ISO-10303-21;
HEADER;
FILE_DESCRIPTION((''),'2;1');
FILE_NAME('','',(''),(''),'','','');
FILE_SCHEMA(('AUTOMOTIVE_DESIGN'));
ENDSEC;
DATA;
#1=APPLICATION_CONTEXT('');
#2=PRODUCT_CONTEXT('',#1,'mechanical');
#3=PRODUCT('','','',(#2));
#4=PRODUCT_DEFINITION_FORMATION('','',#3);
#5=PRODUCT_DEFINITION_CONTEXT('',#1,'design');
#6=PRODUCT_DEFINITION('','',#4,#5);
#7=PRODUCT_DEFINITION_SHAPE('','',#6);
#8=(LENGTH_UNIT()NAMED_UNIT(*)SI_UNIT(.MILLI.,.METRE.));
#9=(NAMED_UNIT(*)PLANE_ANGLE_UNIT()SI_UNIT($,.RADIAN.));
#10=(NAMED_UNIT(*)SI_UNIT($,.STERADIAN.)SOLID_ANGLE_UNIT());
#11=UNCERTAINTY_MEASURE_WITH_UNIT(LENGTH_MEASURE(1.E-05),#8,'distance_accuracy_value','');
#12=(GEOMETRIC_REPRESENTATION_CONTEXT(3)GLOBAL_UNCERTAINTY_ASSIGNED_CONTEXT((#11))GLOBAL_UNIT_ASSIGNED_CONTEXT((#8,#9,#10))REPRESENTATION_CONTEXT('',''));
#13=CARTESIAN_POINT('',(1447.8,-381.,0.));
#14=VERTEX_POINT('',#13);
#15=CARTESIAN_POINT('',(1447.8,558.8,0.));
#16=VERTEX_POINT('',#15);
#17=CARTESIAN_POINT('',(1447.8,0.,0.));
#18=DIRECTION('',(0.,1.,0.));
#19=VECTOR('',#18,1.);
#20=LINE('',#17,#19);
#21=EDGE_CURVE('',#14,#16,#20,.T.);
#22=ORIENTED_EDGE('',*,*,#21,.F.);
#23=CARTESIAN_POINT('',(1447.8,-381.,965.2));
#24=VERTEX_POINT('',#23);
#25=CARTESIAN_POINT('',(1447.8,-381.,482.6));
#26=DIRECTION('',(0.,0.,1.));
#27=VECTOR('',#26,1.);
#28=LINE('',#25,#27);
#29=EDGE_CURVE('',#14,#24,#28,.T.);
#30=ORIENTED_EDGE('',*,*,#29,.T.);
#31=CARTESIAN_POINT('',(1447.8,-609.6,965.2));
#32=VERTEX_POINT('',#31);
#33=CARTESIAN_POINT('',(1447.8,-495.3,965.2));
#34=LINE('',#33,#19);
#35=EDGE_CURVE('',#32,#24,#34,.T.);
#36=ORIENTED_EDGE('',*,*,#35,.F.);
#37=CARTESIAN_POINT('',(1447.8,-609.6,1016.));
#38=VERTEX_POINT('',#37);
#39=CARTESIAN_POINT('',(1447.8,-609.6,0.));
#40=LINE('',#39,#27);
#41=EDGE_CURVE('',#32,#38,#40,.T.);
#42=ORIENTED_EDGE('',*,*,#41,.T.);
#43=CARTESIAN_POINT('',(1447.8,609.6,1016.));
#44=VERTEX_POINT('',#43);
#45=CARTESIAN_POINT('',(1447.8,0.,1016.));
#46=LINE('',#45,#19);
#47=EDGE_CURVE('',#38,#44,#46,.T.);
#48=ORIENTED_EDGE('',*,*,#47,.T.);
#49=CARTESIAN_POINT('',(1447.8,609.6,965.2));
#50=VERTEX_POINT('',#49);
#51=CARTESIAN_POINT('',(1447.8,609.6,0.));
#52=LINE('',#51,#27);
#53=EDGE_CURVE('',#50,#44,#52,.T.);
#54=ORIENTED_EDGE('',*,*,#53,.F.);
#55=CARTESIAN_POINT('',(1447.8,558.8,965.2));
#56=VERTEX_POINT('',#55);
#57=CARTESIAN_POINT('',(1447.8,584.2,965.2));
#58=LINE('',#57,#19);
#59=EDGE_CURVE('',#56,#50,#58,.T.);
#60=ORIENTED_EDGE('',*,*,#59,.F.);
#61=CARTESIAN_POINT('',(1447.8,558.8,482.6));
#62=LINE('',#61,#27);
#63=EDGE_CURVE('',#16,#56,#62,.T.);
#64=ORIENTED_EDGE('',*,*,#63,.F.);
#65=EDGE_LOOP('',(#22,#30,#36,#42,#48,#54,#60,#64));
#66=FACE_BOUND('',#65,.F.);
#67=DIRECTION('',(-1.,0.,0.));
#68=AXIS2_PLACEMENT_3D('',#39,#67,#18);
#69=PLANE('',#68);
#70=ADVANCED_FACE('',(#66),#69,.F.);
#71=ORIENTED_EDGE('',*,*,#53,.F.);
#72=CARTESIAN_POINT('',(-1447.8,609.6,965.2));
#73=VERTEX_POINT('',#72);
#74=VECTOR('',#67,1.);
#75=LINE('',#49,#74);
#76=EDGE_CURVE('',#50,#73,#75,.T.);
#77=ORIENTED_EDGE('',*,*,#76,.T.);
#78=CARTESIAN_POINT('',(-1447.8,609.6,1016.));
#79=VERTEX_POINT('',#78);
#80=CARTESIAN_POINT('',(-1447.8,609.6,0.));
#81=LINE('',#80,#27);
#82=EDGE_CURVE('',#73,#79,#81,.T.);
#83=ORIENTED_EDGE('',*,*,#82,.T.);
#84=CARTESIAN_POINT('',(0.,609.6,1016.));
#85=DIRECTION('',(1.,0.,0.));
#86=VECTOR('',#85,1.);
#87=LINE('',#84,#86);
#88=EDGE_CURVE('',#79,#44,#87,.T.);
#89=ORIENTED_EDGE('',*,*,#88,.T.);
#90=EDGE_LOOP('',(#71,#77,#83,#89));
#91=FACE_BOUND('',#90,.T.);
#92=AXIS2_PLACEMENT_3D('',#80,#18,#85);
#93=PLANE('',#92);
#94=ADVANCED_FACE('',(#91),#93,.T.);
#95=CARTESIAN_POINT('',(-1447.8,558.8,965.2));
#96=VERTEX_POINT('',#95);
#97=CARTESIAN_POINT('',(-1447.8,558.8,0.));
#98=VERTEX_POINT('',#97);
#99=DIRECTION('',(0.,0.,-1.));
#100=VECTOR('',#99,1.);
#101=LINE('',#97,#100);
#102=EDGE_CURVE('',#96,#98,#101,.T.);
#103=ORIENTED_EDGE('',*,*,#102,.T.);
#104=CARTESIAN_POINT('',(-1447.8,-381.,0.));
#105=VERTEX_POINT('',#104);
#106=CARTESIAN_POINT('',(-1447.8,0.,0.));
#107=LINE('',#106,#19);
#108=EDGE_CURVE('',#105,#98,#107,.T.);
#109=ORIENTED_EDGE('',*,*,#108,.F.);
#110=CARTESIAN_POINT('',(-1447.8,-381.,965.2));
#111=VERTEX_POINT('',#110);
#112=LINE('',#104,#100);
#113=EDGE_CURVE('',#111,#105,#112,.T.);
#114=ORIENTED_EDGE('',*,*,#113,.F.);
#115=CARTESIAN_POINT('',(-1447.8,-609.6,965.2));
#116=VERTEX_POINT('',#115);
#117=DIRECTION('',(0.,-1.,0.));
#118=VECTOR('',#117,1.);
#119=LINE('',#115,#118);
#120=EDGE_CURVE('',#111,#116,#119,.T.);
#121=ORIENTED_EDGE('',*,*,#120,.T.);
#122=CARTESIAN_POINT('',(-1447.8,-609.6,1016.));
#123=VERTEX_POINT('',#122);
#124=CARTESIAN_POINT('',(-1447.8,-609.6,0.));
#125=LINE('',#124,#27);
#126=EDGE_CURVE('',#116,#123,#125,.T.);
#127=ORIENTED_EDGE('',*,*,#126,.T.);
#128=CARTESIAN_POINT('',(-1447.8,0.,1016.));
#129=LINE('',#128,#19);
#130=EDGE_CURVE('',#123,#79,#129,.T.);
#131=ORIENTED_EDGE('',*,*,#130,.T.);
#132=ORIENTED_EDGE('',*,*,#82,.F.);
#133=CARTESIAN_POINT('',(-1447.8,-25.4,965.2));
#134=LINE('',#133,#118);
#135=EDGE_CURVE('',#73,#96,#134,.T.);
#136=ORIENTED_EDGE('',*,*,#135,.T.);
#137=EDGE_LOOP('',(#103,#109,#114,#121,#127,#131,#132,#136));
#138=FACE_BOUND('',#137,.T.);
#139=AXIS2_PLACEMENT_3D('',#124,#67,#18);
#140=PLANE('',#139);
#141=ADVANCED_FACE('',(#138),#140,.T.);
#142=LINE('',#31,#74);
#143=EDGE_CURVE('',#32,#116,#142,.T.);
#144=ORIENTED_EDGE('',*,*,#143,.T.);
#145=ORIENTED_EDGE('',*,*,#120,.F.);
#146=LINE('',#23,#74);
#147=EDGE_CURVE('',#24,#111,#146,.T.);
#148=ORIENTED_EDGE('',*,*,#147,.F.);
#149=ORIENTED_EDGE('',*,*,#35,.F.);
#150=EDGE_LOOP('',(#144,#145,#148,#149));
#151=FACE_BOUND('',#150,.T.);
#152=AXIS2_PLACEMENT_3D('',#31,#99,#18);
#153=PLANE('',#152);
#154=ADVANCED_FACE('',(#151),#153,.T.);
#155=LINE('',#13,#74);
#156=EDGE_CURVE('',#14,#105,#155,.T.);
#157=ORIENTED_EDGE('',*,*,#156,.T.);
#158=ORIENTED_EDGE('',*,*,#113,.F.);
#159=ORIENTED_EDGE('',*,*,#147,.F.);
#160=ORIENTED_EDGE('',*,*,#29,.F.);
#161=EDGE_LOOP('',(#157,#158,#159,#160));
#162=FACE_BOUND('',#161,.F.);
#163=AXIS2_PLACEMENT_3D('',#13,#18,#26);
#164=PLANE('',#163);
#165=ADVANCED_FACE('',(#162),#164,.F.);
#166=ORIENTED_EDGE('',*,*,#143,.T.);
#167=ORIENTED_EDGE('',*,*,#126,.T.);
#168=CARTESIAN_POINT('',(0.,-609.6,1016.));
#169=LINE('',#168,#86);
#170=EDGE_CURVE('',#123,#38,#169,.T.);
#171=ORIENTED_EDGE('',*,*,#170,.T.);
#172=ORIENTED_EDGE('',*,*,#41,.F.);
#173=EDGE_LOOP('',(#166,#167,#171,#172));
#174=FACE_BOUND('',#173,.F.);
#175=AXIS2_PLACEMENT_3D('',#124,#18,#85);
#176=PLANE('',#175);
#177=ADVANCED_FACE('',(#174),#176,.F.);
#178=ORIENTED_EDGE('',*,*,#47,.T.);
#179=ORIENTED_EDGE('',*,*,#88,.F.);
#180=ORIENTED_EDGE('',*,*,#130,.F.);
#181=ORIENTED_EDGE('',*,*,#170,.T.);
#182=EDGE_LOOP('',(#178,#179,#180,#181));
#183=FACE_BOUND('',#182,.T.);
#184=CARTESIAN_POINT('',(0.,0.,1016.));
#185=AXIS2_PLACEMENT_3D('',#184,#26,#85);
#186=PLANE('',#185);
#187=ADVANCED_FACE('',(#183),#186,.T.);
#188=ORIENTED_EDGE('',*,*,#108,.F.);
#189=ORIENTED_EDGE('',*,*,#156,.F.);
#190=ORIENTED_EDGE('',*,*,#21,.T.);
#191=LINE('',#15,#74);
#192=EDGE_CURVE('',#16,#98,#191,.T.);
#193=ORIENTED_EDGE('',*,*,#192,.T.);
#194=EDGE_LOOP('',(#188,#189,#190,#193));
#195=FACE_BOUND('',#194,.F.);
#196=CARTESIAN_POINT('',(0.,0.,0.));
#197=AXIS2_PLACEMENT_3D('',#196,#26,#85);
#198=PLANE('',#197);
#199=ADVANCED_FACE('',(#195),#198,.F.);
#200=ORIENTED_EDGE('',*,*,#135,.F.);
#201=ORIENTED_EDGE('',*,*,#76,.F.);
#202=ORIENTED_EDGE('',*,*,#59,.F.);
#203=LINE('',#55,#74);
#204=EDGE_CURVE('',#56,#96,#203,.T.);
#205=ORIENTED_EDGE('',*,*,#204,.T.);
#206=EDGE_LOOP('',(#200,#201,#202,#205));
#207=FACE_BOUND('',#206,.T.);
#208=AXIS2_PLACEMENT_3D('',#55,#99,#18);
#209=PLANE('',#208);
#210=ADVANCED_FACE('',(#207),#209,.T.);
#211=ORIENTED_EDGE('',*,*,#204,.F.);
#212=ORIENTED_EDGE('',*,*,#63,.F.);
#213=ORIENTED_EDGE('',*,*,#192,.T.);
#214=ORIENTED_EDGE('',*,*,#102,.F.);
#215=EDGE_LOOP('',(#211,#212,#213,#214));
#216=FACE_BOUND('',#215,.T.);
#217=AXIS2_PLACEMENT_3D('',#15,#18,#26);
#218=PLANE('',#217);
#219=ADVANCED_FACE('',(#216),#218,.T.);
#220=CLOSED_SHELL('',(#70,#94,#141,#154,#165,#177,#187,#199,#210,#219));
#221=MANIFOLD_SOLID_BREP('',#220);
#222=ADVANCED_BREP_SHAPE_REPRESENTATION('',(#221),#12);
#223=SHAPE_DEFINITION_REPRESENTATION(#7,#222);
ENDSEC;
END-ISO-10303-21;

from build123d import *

# Parameters (mm, degrees)
F0_W     = 2895.6
F0_H     = 1219.2
F1_DEPTH = 1016
F2_W     = 228.6
F2_H     = 965.2
F2_W_2   = 50.8
F3_DEPTH = 3048


with BuildPart() as f1:
    # F0 (on Top) → F1 (new body)
    with BuildSketch(Plane.XY):
        Rectangle(F0_W, F0_H)
    extrude(amount=F1_DEPTH)

    # F2 (on face) → F3 (cut)
    with BuildSketch(Plane.YZ.offset(1447.8)):
        with Locations((-495.3, 482.6)):
            Rectangle(F2_W, F2_H)
        with Locations((584.2, 482.6)):
            Rectangle(F2_W_2, F2_H)
    extrude(amount=-F3_DEPTH, mode=Mode.SUBTRACT)


solid = f1.part
